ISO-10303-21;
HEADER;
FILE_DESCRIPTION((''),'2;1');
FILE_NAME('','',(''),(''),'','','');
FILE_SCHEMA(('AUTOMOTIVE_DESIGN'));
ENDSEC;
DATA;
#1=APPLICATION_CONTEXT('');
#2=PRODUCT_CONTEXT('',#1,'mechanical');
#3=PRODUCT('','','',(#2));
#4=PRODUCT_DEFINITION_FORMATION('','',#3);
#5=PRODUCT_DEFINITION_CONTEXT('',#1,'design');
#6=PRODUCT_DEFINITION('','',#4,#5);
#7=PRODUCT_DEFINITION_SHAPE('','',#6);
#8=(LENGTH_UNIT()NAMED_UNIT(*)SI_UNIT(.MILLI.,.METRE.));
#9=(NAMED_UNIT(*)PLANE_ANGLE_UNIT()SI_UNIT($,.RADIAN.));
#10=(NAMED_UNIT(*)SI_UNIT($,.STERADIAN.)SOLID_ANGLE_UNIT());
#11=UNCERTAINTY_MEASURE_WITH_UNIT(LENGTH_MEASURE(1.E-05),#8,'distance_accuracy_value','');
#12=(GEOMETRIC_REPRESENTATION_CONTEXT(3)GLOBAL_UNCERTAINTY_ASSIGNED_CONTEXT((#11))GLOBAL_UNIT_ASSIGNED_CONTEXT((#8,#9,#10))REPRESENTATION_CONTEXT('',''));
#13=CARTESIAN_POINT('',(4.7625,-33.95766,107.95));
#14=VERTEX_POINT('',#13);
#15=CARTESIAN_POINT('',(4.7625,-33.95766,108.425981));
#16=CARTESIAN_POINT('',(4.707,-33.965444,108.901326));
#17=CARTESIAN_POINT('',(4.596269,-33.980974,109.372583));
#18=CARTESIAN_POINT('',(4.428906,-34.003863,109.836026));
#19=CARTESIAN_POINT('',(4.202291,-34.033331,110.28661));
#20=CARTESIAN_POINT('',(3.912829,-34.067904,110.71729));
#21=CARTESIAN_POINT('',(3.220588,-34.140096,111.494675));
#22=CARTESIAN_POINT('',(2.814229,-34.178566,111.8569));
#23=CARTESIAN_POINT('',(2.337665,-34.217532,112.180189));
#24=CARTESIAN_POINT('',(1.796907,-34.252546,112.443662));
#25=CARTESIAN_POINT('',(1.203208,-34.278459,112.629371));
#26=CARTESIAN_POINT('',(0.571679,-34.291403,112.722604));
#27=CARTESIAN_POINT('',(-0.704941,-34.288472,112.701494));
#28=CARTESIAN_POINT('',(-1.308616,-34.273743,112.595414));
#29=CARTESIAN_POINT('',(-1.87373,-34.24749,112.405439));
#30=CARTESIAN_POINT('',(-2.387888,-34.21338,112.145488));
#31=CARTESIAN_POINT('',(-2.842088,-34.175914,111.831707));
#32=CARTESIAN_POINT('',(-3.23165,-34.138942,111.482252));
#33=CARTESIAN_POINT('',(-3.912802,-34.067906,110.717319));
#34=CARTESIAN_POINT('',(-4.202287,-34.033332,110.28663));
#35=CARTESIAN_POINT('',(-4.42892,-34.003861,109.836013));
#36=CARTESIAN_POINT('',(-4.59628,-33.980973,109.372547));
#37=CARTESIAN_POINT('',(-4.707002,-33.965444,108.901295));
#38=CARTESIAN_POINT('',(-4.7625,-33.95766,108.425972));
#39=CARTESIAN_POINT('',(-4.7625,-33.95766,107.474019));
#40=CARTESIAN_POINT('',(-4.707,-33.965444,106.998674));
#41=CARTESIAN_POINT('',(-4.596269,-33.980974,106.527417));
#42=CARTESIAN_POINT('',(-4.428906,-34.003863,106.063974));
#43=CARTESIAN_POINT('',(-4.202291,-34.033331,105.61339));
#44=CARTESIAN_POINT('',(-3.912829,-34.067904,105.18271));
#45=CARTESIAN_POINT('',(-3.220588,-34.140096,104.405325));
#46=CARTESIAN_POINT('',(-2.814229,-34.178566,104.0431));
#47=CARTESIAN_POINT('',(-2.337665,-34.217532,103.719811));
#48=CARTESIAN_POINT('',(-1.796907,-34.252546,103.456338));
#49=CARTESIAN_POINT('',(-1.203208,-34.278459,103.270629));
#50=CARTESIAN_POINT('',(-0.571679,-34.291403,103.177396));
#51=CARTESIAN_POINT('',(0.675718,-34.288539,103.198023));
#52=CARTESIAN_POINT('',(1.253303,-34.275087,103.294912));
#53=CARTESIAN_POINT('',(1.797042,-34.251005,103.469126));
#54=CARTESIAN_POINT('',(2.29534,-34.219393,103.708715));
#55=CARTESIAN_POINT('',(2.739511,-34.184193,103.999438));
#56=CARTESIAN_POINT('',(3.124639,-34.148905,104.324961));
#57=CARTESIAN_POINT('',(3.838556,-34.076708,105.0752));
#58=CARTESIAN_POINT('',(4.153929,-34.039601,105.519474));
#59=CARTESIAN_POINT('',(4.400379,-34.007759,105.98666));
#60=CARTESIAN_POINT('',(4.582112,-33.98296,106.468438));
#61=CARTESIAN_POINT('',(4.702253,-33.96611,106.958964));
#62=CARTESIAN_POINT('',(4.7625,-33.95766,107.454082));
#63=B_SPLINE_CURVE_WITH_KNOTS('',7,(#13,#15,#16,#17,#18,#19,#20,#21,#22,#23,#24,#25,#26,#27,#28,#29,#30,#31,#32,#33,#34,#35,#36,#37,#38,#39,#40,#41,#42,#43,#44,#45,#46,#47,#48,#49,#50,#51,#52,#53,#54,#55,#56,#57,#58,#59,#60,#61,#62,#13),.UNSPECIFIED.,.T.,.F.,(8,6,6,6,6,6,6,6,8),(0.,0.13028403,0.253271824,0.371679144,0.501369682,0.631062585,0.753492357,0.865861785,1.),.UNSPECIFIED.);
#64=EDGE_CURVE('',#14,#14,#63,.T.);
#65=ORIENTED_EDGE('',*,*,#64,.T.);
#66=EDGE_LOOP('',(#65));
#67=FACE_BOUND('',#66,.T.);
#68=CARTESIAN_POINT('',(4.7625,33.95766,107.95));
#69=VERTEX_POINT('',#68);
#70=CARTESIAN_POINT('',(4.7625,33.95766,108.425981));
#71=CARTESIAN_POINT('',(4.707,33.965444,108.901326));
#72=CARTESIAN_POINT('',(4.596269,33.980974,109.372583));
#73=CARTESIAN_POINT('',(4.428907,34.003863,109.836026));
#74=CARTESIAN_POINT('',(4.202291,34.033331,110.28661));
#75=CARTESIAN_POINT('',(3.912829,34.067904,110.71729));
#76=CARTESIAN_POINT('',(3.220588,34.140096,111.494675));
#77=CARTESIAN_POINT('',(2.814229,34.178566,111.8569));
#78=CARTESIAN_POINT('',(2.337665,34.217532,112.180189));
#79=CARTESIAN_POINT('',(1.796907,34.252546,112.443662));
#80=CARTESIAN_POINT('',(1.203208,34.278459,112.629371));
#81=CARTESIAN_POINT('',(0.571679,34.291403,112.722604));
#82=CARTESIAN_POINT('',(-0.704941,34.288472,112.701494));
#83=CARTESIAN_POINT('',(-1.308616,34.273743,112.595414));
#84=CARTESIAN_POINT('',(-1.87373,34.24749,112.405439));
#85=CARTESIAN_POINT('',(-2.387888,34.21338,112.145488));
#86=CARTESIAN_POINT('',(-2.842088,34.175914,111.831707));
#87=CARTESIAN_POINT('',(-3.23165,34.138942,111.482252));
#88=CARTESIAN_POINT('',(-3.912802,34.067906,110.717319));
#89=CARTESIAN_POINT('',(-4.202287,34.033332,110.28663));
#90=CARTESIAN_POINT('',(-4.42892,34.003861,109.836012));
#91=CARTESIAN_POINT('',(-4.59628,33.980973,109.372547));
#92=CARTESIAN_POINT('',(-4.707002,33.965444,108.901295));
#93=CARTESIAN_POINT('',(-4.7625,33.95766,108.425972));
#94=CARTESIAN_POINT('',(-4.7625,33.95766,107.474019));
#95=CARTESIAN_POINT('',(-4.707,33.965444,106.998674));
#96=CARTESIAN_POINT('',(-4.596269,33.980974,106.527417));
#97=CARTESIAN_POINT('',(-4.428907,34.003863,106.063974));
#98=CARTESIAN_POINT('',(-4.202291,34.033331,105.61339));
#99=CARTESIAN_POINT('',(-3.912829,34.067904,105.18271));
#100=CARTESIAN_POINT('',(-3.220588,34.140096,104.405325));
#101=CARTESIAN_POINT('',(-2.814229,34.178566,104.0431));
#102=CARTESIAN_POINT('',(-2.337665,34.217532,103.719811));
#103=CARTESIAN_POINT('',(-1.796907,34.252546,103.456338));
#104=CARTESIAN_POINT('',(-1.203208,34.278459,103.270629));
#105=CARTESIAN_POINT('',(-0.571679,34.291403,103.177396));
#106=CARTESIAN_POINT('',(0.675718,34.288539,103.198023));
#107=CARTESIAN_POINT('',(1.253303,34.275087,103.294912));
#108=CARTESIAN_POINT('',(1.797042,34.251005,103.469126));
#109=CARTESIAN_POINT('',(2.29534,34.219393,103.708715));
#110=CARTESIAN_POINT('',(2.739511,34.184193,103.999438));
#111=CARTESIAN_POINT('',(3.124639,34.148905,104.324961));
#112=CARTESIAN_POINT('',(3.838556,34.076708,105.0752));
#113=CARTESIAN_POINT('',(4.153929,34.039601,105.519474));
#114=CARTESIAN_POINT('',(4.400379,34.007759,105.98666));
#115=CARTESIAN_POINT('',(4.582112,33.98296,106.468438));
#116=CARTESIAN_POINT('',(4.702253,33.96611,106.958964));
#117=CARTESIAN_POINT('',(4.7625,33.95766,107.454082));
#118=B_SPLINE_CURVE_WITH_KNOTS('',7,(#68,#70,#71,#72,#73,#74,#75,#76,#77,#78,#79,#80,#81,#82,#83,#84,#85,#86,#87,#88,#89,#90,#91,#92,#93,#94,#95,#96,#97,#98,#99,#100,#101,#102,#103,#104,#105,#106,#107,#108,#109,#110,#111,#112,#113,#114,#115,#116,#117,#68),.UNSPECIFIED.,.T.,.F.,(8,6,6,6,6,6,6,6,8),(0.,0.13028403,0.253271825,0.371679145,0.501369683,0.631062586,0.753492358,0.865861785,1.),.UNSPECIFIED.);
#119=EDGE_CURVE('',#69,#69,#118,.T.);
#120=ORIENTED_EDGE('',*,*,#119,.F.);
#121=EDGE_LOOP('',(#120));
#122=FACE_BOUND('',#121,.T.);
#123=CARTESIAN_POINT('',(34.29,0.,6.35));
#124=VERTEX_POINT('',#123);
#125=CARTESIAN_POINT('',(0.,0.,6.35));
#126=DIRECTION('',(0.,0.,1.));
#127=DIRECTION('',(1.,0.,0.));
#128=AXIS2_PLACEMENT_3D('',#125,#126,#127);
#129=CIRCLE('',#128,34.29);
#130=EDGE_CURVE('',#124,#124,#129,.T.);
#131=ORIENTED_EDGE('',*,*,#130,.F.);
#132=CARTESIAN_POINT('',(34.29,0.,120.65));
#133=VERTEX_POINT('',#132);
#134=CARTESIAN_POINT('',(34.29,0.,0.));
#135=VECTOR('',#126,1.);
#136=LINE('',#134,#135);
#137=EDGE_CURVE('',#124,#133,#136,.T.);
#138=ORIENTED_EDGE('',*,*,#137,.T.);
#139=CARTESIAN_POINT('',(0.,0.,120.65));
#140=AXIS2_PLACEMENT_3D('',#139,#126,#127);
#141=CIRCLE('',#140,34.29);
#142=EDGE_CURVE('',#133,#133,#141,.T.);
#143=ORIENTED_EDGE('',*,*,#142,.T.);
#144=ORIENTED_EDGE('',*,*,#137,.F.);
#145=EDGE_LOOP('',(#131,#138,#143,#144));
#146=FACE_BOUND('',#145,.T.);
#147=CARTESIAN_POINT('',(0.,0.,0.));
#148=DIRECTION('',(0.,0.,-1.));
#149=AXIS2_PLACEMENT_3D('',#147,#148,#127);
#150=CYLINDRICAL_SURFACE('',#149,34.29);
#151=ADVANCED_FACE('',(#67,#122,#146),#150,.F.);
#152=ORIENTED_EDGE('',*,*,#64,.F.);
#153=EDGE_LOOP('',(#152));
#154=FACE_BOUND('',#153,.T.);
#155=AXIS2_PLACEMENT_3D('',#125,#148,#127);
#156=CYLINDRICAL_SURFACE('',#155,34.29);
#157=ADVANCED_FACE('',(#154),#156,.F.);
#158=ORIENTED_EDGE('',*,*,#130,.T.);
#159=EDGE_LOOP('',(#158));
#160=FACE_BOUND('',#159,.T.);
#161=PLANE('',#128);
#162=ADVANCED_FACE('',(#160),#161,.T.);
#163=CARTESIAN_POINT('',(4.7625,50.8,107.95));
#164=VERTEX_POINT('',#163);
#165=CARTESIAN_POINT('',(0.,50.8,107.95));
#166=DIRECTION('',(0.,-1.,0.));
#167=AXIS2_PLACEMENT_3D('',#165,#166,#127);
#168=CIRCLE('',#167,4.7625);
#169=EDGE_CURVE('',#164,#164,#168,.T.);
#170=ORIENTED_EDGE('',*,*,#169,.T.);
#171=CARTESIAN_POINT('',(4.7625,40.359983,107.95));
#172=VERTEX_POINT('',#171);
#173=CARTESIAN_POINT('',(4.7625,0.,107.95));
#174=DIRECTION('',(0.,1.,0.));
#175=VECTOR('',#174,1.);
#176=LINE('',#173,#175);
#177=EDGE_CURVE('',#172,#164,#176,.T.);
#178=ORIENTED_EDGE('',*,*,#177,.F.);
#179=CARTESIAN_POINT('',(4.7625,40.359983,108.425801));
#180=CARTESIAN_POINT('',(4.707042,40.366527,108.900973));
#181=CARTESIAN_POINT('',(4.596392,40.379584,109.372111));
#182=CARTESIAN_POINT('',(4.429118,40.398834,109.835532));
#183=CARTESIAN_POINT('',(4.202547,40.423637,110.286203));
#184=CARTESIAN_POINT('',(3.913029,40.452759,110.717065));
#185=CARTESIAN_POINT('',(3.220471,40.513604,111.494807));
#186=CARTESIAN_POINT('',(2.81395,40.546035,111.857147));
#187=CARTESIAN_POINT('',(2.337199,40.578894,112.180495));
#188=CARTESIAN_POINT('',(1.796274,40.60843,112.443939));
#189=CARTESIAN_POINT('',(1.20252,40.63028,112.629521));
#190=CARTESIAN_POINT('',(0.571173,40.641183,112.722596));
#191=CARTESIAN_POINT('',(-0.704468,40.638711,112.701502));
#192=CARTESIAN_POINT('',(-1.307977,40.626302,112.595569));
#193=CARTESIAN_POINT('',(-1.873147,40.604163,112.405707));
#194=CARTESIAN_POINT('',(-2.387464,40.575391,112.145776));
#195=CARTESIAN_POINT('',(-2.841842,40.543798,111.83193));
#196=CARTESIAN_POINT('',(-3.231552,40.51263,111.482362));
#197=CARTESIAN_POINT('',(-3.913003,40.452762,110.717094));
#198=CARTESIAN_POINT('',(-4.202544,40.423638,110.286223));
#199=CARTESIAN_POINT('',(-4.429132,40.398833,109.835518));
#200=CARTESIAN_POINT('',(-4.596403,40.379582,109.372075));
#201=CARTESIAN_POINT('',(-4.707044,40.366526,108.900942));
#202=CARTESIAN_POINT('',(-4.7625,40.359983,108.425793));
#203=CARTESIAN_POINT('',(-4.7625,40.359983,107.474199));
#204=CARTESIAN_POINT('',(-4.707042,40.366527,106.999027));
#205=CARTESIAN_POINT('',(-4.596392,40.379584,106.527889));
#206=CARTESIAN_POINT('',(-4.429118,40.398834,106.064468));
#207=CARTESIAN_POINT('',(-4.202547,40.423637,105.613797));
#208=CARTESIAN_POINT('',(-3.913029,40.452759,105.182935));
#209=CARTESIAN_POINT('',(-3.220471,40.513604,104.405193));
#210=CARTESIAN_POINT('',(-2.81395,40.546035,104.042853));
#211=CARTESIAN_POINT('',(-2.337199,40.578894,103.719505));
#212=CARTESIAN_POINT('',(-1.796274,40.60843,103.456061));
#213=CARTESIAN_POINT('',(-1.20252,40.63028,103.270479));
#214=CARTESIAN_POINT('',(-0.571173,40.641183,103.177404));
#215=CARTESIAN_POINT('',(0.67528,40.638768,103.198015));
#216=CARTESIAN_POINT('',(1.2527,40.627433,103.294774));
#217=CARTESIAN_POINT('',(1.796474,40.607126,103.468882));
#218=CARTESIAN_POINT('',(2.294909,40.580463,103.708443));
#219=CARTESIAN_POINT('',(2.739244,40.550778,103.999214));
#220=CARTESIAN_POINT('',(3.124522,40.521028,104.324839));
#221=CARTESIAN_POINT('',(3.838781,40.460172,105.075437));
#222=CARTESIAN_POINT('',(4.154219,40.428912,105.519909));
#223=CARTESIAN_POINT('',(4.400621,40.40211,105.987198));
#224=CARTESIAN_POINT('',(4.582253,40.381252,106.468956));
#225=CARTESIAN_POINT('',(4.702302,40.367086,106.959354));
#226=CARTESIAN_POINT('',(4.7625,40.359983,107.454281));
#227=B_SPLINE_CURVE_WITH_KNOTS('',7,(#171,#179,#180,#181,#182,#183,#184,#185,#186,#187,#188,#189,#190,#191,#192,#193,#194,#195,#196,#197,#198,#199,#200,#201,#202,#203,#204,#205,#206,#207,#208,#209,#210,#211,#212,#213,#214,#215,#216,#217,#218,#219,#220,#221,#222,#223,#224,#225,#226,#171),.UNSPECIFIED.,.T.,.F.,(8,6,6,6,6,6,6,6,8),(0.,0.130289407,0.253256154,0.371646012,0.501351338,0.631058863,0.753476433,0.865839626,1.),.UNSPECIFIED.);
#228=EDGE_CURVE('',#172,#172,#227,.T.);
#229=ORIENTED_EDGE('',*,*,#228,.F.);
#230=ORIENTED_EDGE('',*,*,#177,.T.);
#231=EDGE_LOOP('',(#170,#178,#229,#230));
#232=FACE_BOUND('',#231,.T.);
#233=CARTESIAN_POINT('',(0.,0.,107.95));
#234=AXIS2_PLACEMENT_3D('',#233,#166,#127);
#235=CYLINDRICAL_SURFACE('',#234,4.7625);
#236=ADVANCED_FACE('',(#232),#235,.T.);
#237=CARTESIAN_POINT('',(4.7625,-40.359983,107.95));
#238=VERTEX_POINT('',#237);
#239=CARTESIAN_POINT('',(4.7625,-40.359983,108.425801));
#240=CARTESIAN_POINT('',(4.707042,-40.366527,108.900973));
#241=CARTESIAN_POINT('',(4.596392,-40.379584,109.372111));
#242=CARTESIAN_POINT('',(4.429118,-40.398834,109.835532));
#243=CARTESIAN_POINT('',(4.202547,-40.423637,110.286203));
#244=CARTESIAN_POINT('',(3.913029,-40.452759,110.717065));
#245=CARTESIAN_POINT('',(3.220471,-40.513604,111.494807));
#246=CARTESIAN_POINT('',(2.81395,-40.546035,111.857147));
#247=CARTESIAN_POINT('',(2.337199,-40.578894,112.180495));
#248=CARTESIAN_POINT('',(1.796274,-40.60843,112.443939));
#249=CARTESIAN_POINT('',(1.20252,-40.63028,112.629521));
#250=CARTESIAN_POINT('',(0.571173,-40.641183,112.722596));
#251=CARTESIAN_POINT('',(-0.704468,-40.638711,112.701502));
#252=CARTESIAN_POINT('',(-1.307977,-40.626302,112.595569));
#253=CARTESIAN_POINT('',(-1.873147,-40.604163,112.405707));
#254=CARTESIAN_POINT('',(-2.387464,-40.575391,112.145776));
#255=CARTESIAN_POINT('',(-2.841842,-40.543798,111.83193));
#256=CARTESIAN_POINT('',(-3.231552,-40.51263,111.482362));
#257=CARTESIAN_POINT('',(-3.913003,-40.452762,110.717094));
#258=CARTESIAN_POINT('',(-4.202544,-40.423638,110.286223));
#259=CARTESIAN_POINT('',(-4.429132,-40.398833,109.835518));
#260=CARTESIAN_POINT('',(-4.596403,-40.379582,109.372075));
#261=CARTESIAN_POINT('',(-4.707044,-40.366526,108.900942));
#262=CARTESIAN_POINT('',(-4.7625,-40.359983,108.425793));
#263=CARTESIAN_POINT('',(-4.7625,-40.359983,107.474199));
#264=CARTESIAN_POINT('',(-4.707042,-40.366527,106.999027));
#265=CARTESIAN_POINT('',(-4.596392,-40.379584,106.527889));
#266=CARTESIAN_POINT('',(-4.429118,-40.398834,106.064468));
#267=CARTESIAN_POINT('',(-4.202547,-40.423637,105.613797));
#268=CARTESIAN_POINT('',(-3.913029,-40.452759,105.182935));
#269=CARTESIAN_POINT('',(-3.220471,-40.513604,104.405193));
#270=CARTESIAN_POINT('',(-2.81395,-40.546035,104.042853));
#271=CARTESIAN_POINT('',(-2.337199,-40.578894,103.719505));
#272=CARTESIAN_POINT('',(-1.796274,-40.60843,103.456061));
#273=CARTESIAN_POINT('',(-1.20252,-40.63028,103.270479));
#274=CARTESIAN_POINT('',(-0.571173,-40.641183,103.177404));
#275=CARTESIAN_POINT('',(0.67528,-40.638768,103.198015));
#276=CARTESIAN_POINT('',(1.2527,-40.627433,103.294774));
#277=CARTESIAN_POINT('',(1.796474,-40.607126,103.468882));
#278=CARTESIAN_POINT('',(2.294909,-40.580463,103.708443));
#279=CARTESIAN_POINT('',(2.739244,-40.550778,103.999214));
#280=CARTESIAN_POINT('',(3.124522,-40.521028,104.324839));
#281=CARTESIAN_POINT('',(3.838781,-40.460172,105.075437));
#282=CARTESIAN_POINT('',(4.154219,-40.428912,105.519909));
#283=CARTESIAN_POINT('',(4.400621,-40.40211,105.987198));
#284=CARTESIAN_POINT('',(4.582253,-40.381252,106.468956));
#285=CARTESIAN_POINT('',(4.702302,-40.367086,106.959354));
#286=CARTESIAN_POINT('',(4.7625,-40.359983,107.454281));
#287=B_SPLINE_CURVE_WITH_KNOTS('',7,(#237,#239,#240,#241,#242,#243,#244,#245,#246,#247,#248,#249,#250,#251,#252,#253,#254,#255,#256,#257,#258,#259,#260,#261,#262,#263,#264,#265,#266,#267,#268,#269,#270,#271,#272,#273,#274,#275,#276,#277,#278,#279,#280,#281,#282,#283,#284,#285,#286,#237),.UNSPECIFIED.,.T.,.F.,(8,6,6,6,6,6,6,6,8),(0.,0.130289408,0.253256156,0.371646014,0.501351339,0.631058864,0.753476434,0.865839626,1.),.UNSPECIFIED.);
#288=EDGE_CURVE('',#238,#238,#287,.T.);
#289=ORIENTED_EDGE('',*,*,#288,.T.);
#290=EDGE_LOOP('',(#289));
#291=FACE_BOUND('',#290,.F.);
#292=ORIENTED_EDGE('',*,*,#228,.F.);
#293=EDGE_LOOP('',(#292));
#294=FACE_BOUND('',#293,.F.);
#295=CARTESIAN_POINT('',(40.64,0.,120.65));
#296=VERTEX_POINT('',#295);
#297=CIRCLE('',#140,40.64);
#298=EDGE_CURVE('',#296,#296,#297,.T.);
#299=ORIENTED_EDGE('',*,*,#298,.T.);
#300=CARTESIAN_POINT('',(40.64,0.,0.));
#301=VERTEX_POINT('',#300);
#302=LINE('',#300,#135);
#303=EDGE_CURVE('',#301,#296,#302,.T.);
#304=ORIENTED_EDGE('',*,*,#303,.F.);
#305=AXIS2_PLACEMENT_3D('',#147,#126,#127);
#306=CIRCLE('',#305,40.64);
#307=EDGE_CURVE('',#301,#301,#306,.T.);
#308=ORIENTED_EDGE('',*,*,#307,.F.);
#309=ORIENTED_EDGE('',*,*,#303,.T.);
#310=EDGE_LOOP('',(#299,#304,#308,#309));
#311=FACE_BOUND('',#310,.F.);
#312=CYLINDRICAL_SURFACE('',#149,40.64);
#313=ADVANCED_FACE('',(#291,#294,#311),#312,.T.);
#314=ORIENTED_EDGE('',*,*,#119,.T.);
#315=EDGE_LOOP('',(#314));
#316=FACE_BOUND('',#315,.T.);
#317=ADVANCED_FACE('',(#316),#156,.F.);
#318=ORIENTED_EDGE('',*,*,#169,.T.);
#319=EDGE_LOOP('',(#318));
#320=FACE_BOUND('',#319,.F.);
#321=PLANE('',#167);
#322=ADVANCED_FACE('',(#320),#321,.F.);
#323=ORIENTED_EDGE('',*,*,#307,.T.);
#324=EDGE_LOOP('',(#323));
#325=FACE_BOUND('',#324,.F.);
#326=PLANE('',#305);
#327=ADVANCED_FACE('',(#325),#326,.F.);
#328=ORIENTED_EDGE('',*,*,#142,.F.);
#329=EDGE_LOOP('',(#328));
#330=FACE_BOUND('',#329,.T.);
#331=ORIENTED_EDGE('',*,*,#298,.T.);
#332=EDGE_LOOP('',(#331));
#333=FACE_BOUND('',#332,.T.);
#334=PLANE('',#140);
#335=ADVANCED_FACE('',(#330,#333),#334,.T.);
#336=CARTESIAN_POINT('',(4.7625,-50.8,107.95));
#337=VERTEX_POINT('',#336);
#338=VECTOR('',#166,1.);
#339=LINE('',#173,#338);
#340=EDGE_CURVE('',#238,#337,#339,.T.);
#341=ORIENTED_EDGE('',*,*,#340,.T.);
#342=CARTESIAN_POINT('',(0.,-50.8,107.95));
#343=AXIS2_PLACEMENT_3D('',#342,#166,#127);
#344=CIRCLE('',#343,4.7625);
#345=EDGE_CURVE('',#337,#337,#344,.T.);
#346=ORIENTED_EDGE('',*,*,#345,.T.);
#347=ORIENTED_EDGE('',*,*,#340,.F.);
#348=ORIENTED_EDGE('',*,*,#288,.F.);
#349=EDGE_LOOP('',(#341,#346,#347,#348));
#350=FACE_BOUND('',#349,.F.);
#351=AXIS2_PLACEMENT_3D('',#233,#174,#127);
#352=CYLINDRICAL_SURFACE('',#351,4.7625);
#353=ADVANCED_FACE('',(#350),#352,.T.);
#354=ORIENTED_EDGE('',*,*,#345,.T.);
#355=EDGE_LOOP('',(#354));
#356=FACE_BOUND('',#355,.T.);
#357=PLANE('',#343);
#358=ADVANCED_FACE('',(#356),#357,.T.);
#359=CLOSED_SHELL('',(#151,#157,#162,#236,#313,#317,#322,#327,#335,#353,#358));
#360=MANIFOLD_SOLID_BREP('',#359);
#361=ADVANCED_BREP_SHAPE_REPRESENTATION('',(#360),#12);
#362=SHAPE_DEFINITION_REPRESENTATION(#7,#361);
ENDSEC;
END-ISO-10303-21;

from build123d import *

# Parameters (mm, degrees)
F0_R          = 40.64
F0_R_2        = 34.29
F1_DEPTH      = 120.65
F2_DEPTH      = 6.35
F3_R          = 4.7625
F4_DEPTH      = 50.8
F4_DEPTH_BACK = 50.8
F2_FACE_R     = 34.29
F5_DEPTH      = 114.301


with BuildPart() as f1:
    # F0 (on Top) → F1 (new body)
    with BuildSketch(Plane.XY):
        Circle(F0_R)
        Circle(F0_R_2, mode=Mode.SUBTRACT)
    extrude(amount=F1_DEPTH)

    # F0 (on Top) → F2 (join)
    with BuildSketch(Plane.XY):
        Circle(F0_R_2)
    extrude(amount=F2_DEPTH)

    # F3 (on Front) → F4 (join, two sides)
    with BuildSketch(Plane.XZ) as f4_sk:
        with Locations((0, 107.95)):
            Circle(F3_R)
    extrude(amount=F4_DEPTH)
    extrude(f4_sk.sketch, amount=-F4_DEPTH_BACK)

    # F2_face (on face) → F5 (cut, through all)
    with BuildSketch(Plane.XY.offset(6.35)):
        Circle(F2_FACE_R)
    extrude(amount=F5_DEPTH, mode=Mode.SUBTRACT)


solid = f1.part
